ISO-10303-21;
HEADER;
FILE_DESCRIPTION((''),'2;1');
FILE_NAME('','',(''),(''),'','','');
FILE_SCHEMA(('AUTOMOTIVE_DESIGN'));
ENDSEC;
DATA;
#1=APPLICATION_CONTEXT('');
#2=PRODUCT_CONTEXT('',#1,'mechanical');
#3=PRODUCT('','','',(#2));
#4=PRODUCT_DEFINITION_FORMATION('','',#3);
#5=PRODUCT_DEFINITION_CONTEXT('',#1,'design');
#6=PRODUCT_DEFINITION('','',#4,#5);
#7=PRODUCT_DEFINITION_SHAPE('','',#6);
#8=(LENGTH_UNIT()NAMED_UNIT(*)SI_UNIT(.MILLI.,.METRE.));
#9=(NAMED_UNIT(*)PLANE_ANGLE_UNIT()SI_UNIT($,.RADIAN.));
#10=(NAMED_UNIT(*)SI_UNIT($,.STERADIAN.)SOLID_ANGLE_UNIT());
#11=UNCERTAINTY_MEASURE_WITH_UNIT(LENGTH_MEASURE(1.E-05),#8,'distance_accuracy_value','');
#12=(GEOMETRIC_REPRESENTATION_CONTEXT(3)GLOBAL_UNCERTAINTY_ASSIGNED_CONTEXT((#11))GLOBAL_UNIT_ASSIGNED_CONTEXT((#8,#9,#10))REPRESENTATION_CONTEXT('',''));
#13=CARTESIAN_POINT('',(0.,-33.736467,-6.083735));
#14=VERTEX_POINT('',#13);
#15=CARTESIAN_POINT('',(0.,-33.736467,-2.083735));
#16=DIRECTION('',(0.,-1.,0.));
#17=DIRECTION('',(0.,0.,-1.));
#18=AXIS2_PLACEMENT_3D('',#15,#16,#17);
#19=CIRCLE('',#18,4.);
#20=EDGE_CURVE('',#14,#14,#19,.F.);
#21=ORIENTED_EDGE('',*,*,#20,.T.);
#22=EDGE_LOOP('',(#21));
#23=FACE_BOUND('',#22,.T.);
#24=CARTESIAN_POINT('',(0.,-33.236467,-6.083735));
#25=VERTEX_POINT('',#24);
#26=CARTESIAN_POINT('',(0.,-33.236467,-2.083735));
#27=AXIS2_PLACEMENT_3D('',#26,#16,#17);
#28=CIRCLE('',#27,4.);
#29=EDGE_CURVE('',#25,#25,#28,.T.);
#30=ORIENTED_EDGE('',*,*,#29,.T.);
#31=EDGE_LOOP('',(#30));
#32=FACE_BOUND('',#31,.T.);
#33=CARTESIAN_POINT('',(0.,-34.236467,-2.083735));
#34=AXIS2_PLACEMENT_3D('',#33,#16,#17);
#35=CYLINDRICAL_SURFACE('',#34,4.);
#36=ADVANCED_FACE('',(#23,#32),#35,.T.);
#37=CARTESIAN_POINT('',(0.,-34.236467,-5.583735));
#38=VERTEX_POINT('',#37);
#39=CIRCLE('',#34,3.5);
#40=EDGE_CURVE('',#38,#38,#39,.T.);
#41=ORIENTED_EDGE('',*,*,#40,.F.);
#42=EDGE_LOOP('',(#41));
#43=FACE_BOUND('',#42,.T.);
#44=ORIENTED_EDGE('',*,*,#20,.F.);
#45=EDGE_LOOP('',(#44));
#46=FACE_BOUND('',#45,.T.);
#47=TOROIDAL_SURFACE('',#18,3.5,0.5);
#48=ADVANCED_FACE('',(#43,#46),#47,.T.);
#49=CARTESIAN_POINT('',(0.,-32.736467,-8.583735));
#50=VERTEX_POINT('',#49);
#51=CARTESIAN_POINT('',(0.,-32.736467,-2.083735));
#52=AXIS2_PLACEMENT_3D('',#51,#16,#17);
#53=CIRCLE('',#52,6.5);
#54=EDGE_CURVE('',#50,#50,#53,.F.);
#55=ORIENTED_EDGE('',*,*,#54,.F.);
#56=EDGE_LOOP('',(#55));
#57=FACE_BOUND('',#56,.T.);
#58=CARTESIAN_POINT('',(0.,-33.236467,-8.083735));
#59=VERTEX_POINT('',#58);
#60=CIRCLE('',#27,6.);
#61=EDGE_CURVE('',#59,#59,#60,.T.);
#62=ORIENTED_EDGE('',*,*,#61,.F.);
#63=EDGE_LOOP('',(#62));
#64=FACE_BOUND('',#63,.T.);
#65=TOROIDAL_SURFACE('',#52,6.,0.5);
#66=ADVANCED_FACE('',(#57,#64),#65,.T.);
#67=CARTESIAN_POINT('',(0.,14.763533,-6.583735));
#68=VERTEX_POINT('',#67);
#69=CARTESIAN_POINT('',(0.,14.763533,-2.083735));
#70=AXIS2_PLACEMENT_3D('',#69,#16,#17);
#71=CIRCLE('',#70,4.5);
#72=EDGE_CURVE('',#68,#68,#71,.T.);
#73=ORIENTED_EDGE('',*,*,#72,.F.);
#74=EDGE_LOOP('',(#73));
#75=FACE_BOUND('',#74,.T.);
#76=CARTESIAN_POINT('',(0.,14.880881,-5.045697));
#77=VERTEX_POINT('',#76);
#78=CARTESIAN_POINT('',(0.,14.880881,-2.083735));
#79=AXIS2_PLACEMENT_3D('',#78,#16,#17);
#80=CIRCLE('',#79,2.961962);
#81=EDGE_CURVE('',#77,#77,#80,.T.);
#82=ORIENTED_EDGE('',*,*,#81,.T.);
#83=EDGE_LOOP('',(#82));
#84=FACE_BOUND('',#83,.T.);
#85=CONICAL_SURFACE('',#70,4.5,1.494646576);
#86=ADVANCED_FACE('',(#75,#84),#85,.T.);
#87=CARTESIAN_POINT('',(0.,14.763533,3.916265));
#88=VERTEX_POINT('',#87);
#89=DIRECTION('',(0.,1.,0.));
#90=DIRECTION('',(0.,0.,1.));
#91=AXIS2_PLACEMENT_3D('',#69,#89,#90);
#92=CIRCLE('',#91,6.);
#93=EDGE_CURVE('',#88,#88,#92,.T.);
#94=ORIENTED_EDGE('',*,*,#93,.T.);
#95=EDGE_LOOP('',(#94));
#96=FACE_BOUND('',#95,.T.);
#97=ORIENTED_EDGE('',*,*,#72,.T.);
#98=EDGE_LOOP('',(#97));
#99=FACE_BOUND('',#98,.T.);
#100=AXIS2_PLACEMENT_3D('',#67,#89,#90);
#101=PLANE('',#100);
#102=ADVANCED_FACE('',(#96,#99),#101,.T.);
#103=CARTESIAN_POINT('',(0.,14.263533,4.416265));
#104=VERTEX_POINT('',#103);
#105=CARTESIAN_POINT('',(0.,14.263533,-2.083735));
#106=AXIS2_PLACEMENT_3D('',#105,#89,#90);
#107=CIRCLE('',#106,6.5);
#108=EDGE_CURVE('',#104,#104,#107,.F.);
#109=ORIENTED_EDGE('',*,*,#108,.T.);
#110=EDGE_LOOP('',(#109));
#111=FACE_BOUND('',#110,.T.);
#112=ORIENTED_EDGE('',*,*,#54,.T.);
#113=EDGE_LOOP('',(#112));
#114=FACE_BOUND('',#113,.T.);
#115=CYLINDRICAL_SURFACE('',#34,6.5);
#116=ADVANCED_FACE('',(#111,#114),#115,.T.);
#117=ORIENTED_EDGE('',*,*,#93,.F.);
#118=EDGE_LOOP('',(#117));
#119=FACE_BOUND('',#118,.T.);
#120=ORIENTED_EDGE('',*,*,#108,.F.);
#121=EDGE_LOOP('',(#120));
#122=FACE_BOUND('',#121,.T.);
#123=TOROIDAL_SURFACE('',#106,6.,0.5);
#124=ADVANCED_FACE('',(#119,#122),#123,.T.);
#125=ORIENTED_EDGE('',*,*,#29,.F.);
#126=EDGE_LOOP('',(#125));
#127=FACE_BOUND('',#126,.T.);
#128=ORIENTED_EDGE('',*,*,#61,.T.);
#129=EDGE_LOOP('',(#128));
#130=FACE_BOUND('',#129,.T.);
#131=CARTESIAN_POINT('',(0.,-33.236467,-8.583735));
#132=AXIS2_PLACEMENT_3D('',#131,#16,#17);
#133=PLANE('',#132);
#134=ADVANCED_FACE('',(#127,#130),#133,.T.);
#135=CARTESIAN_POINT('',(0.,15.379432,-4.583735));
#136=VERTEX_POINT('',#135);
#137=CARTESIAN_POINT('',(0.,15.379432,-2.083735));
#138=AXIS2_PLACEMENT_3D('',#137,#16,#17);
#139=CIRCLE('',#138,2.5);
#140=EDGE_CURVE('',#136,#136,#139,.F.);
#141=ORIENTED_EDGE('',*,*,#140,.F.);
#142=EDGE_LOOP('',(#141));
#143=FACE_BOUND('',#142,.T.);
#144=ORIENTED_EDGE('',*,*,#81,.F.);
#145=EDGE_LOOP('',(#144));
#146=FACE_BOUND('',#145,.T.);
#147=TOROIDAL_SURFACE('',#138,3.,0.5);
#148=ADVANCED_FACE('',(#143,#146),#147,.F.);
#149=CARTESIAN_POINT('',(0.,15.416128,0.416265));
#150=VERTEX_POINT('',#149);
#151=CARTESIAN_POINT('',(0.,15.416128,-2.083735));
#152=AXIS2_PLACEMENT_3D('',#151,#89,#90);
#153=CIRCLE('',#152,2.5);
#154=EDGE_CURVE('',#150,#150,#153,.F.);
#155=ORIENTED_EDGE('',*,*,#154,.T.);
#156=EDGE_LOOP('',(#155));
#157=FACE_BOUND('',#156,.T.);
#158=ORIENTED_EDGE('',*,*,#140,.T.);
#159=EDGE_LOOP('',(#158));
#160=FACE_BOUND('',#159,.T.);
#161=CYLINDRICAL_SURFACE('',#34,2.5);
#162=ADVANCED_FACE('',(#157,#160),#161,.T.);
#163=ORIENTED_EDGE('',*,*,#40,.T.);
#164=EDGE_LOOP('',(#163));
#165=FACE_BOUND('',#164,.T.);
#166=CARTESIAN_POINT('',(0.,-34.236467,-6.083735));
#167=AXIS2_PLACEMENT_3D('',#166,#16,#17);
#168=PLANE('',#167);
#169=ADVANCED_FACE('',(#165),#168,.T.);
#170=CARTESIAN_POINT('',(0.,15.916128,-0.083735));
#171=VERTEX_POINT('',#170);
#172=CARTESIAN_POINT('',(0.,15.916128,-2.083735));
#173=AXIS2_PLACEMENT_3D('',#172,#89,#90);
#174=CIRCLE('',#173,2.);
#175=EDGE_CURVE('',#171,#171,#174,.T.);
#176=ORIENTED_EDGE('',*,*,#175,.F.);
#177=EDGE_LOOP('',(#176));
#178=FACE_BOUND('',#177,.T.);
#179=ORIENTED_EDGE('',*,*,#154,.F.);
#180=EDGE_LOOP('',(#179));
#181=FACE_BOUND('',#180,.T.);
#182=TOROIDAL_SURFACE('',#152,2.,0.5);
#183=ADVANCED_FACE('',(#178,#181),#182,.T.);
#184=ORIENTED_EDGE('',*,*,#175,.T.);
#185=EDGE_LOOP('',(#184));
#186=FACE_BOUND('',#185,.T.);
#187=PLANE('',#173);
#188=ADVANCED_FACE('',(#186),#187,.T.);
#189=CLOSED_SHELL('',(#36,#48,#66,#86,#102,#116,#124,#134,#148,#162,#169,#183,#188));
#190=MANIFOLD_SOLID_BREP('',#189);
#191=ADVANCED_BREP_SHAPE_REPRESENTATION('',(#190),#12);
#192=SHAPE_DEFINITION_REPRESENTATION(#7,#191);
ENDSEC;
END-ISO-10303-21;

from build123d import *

# Parameters (mm, degrees)
REDONDEO1_R = 0.5


with BuildPart() as part:
    # Croquis2 → Revolución1 (revolve)
    with BuildSketch(Plane(origin=(0, 0, 0), x_dir=(0, 0, -1), z_dir=(1, 0, 0))):
        Polygon((2.083734943, 15.916127666), (4.583734943, 15.916127666), (4.583734943, 14.916127666), (6.583734943, 14.763533095), (8.583734943, 14.763533095), (8.583734943, -33.236466905), (6.083734943, -33.236466905), (6.083734943, -34.236466905), (2.083734943, -34.236466905), align=None)
    revolve(axis=Axis((0, -34.236466905, -2.083734943), (0, 1, 0)))

    # Redondeo1
    redondeo1_edges = [part.edges().sort_by_distance(p)[0] for p in [
        (0, -34.236466905, 1.916265057),
        (0, -33.236466905, 4.416265057),
        (0, 14.763533095, 4.416265057),
        (0, 14.916127666, 0.416265057),
        (0, 15.916127666, 0.416265057),
    ]]
    fillet(redondeo1_edges, radius=REDONDEO1_R)


solid = part.part
